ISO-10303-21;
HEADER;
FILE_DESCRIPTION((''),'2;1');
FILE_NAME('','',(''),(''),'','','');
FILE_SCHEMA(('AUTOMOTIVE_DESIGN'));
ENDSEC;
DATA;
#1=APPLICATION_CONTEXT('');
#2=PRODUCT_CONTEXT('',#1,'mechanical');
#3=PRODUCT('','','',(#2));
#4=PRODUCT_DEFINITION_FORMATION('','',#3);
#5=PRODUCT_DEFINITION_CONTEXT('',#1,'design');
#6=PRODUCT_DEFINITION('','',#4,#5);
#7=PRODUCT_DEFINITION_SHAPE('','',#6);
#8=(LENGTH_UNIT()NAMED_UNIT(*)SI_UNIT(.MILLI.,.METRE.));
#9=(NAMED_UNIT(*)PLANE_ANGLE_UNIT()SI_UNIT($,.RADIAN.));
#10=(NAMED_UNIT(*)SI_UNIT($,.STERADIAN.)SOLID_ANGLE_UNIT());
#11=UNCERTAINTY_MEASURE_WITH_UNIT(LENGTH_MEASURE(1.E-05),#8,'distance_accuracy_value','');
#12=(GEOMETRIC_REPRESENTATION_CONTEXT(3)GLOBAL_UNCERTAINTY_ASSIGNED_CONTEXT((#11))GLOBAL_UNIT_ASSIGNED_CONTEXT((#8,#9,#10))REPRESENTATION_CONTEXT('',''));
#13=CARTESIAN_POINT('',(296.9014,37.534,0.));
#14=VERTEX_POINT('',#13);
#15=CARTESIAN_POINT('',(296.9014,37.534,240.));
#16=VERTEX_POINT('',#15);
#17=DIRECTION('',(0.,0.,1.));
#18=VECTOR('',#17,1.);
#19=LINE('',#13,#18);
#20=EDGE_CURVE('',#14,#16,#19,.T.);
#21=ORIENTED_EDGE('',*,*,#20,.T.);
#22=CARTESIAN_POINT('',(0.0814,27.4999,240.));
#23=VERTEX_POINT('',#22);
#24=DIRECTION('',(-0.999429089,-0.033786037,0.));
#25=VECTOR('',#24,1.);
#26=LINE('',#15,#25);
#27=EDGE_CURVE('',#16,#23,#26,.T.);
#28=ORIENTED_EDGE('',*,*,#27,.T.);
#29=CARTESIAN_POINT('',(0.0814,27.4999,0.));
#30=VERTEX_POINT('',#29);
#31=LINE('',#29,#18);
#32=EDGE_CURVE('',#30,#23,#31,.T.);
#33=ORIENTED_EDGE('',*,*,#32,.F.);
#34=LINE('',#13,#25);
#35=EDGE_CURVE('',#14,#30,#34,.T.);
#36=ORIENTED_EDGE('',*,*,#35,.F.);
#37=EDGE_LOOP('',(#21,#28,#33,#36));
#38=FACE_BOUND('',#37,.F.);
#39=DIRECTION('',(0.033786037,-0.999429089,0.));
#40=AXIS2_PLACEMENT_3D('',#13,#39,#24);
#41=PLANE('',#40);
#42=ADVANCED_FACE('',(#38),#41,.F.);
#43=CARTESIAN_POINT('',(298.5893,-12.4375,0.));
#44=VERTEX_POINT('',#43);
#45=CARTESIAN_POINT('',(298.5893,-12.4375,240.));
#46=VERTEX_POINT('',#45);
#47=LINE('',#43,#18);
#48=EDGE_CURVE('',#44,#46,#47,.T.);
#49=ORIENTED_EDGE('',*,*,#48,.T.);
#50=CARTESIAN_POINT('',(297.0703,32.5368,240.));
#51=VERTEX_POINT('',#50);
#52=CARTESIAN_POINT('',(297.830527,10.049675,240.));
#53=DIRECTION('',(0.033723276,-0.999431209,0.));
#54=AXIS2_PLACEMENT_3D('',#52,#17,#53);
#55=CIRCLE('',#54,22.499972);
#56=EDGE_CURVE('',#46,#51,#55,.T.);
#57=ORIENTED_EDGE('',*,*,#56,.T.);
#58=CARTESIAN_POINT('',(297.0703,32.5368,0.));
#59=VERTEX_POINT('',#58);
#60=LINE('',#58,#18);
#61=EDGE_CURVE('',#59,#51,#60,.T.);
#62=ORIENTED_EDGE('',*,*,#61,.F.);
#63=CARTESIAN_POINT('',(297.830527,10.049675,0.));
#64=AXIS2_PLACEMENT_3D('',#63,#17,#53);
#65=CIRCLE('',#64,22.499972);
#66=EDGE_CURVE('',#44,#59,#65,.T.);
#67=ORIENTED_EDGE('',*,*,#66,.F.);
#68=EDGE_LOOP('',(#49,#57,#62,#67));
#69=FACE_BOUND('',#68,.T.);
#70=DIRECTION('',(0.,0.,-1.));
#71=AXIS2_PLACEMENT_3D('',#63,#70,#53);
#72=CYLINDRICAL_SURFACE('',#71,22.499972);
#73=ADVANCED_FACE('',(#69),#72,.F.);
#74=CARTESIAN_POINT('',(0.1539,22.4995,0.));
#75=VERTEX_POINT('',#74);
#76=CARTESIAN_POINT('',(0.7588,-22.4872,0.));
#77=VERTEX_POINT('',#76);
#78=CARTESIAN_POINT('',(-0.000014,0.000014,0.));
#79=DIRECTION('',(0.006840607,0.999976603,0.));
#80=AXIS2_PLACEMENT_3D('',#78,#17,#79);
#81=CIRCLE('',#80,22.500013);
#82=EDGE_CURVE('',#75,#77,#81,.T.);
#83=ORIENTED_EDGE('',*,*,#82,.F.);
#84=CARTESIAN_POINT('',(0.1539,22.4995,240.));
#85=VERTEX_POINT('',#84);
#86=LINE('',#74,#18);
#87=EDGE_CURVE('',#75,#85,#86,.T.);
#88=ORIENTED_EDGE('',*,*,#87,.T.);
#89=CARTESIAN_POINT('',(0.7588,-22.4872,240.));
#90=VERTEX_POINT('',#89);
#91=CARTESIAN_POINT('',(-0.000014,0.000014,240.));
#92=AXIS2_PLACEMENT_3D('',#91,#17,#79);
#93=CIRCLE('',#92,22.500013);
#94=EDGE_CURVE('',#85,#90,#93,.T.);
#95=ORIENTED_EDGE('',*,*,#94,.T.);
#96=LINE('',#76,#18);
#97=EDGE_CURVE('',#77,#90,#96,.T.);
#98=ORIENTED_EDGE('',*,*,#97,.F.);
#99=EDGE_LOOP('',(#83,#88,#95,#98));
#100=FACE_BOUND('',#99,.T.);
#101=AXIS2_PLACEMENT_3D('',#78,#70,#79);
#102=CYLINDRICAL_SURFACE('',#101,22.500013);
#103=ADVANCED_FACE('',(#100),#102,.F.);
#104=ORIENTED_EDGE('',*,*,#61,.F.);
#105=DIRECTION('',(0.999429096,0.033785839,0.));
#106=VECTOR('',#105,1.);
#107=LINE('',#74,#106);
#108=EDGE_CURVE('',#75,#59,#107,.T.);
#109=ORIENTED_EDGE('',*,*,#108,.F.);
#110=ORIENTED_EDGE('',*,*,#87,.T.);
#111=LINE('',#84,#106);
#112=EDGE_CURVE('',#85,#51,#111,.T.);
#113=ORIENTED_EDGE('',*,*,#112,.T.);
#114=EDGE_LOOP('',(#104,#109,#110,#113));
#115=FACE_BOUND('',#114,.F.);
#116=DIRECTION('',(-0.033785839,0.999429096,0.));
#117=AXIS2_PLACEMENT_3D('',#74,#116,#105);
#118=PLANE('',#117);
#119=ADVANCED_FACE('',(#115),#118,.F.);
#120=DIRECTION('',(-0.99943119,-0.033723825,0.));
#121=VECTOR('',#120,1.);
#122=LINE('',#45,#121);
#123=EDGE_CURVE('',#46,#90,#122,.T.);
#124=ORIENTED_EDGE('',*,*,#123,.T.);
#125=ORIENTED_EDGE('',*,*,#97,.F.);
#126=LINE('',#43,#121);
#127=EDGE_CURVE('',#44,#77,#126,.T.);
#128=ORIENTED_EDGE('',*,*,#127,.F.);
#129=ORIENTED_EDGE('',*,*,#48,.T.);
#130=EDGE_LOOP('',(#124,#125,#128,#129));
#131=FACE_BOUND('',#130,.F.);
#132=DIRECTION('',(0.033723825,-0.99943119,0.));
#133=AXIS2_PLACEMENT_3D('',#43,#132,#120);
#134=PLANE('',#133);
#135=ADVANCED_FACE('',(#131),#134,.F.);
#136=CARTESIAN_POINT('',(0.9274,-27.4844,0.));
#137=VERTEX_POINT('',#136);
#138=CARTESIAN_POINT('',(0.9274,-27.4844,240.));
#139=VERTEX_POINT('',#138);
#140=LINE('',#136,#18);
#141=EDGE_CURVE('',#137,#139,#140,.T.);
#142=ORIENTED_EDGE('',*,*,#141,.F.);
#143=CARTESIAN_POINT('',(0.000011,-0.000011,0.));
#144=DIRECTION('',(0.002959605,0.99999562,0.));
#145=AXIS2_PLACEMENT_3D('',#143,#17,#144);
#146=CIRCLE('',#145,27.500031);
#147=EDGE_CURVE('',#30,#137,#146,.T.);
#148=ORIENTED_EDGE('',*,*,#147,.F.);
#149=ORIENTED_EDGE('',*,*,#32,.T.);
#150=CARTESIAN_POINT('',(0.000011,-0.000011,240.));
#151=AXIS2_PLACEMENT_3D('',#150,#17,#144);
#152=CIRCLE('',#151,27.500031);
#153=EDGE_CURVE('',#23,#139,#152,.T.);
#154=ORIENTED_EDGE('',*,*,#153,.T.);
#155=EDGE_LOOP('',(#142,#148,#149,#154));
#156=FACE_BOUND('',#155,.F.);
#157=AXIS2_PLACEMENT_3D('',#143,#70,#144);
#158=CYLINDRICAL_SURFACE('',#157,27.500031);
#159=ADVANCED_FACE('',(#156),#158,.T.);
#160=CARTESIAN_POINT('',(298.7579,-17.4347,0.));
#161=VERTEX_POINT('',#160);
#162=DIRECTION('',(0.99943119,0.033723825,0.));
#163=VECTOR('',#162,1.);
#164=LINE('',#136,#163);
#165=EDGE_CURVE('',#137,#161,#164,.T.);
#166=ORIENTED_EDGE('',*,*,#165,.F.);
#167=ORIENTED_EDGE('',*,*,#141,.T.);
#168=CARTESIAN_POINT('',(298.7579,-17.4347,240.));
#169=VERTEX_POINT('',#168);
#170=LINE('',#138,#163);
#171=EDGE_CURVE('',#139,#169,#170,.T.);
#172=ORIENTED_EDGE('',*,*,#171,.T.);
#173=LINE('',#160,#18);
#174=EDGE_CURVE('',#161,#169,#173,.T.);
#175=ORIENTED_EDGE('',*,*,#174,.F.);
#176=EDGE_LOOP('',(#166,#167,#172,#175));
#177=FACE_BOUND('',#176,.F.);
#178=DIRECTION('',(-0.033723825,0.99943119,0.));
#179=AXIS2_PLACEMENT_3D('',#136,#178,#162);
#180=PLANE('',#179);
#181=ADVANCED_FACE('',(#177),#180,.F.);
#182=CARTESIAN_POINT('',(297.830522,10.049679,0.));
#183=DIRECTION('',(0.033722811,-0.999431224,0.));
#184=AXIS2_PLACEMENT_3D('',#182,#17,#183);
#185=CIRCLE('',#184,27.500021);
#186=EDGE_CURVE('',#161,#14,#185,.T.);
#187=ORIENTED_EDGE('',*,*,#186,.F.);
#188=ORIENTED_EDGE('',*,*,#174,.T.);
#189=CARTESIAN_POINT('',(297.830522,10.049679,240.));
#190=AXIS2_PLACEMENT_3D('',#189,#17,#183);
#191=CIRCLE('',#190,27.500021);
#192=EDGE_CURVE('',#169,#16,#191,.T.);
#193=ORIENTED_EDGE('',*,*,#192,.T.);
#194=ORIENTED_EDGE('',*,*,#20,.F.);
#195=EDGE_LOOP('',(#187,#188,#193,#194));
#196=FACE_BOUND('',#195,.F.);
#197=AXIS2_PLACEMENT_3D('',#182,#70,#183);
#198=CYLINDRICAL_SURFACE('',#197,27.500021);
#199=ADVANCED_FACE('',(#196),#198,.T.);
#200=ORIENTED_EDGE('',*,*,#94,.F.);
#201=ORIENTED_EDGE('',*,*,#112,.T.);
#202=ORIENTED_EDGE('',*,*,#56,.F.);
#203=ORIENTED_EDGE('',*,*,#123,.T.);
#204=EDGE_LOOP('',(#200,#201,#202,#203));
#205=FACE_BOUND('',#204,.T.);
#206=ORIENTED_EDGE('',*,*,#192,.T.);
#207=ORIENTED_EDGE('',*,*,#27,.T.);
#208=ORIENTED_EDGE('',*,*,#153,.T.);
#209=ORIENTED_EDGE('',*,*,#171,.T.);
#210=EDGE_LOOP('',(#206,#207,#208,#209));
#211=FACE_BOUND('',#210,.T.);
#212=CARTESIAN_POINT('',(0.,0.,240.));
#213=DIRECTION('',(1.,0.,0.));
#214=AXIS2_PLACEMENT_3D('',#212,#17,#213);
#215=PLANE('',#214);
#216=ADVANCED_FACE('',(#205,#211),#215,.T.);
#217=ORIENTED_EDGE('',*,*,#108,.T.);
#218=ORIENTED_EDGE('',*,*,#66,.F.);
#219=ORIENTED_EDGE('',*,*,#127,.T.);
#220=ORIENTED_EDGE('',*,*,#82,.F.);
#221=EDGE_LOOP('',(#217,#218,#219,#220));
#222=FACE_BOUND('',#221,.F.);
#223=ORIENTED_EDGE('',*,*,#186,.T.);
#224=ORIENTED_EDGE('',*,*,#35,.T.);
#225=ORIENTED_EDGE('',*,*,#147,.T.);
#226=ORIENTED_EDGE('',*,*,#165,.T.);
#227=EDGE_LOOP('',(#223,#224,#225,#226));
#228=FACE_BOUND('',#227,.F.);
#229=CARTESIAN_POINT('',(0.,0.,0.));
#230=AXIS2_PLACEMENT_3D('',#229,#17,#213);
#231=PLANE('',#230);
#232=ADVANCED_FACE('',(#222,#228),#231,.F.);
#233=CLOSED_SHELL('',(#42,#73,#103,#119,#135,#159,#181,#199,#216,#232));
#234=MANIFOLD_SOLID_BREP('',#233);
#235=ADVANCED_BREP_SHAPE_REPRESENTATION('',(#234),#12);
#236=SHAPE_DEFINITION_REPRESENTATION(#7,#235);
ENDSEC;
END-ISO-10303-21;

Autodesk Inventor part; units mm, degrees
ref_plane "YZ Plane" through (0, 0, 0) normal (1, 0, 0) x (0, 1, 0)
ref_plane "XZ Plane" through (0, 0, 0) normal (0, 1, 0) x (-1, 0, 0)
ref_plane "XY Plane" through (0, 0, 0) normal (0, 0, 1) x (1, 0, 0)
sketch "草图1" plane through (0, 0, 0) normal (0, 0, 1) x (1, 0, 0)
  arc A0 (0.1539, 22.4995) -> (0.7588, -22.4872) centre (0, 0) ccw
  arc A1 (298.5893, -12.4375) -> (297.0703, 32.5368) centre (297.8305, 10.0497) ccw
  line L0 (0.1539, 22.4995) -> (297.0703, 32.5368)
  line L1 (298.5893, -12.4375) -> (0.7588, -22.4872)
  line L2 (296.9014, 37.534) -> (0.0814, 27.4999)
  arc A2 (0.0814, 27.4999) -> (0.9274, -27.4844) centre (0, 0) ccw
  line L3 (0.9274, -27.4844) -> (298.7579, -17.4347)
  arc A3 (298.7579, -17.4347) -> (296.9014, 37.534) centre (297.8305, 10.0497) ccw
  dimension "d0" = 45
  dimension "d1" = 45
  dimension "d2" = 298
  dimension "d3" = 5
extrude "拉伸1" add sketch "草图1" along normal blind 240
properties part number "皮带3"
